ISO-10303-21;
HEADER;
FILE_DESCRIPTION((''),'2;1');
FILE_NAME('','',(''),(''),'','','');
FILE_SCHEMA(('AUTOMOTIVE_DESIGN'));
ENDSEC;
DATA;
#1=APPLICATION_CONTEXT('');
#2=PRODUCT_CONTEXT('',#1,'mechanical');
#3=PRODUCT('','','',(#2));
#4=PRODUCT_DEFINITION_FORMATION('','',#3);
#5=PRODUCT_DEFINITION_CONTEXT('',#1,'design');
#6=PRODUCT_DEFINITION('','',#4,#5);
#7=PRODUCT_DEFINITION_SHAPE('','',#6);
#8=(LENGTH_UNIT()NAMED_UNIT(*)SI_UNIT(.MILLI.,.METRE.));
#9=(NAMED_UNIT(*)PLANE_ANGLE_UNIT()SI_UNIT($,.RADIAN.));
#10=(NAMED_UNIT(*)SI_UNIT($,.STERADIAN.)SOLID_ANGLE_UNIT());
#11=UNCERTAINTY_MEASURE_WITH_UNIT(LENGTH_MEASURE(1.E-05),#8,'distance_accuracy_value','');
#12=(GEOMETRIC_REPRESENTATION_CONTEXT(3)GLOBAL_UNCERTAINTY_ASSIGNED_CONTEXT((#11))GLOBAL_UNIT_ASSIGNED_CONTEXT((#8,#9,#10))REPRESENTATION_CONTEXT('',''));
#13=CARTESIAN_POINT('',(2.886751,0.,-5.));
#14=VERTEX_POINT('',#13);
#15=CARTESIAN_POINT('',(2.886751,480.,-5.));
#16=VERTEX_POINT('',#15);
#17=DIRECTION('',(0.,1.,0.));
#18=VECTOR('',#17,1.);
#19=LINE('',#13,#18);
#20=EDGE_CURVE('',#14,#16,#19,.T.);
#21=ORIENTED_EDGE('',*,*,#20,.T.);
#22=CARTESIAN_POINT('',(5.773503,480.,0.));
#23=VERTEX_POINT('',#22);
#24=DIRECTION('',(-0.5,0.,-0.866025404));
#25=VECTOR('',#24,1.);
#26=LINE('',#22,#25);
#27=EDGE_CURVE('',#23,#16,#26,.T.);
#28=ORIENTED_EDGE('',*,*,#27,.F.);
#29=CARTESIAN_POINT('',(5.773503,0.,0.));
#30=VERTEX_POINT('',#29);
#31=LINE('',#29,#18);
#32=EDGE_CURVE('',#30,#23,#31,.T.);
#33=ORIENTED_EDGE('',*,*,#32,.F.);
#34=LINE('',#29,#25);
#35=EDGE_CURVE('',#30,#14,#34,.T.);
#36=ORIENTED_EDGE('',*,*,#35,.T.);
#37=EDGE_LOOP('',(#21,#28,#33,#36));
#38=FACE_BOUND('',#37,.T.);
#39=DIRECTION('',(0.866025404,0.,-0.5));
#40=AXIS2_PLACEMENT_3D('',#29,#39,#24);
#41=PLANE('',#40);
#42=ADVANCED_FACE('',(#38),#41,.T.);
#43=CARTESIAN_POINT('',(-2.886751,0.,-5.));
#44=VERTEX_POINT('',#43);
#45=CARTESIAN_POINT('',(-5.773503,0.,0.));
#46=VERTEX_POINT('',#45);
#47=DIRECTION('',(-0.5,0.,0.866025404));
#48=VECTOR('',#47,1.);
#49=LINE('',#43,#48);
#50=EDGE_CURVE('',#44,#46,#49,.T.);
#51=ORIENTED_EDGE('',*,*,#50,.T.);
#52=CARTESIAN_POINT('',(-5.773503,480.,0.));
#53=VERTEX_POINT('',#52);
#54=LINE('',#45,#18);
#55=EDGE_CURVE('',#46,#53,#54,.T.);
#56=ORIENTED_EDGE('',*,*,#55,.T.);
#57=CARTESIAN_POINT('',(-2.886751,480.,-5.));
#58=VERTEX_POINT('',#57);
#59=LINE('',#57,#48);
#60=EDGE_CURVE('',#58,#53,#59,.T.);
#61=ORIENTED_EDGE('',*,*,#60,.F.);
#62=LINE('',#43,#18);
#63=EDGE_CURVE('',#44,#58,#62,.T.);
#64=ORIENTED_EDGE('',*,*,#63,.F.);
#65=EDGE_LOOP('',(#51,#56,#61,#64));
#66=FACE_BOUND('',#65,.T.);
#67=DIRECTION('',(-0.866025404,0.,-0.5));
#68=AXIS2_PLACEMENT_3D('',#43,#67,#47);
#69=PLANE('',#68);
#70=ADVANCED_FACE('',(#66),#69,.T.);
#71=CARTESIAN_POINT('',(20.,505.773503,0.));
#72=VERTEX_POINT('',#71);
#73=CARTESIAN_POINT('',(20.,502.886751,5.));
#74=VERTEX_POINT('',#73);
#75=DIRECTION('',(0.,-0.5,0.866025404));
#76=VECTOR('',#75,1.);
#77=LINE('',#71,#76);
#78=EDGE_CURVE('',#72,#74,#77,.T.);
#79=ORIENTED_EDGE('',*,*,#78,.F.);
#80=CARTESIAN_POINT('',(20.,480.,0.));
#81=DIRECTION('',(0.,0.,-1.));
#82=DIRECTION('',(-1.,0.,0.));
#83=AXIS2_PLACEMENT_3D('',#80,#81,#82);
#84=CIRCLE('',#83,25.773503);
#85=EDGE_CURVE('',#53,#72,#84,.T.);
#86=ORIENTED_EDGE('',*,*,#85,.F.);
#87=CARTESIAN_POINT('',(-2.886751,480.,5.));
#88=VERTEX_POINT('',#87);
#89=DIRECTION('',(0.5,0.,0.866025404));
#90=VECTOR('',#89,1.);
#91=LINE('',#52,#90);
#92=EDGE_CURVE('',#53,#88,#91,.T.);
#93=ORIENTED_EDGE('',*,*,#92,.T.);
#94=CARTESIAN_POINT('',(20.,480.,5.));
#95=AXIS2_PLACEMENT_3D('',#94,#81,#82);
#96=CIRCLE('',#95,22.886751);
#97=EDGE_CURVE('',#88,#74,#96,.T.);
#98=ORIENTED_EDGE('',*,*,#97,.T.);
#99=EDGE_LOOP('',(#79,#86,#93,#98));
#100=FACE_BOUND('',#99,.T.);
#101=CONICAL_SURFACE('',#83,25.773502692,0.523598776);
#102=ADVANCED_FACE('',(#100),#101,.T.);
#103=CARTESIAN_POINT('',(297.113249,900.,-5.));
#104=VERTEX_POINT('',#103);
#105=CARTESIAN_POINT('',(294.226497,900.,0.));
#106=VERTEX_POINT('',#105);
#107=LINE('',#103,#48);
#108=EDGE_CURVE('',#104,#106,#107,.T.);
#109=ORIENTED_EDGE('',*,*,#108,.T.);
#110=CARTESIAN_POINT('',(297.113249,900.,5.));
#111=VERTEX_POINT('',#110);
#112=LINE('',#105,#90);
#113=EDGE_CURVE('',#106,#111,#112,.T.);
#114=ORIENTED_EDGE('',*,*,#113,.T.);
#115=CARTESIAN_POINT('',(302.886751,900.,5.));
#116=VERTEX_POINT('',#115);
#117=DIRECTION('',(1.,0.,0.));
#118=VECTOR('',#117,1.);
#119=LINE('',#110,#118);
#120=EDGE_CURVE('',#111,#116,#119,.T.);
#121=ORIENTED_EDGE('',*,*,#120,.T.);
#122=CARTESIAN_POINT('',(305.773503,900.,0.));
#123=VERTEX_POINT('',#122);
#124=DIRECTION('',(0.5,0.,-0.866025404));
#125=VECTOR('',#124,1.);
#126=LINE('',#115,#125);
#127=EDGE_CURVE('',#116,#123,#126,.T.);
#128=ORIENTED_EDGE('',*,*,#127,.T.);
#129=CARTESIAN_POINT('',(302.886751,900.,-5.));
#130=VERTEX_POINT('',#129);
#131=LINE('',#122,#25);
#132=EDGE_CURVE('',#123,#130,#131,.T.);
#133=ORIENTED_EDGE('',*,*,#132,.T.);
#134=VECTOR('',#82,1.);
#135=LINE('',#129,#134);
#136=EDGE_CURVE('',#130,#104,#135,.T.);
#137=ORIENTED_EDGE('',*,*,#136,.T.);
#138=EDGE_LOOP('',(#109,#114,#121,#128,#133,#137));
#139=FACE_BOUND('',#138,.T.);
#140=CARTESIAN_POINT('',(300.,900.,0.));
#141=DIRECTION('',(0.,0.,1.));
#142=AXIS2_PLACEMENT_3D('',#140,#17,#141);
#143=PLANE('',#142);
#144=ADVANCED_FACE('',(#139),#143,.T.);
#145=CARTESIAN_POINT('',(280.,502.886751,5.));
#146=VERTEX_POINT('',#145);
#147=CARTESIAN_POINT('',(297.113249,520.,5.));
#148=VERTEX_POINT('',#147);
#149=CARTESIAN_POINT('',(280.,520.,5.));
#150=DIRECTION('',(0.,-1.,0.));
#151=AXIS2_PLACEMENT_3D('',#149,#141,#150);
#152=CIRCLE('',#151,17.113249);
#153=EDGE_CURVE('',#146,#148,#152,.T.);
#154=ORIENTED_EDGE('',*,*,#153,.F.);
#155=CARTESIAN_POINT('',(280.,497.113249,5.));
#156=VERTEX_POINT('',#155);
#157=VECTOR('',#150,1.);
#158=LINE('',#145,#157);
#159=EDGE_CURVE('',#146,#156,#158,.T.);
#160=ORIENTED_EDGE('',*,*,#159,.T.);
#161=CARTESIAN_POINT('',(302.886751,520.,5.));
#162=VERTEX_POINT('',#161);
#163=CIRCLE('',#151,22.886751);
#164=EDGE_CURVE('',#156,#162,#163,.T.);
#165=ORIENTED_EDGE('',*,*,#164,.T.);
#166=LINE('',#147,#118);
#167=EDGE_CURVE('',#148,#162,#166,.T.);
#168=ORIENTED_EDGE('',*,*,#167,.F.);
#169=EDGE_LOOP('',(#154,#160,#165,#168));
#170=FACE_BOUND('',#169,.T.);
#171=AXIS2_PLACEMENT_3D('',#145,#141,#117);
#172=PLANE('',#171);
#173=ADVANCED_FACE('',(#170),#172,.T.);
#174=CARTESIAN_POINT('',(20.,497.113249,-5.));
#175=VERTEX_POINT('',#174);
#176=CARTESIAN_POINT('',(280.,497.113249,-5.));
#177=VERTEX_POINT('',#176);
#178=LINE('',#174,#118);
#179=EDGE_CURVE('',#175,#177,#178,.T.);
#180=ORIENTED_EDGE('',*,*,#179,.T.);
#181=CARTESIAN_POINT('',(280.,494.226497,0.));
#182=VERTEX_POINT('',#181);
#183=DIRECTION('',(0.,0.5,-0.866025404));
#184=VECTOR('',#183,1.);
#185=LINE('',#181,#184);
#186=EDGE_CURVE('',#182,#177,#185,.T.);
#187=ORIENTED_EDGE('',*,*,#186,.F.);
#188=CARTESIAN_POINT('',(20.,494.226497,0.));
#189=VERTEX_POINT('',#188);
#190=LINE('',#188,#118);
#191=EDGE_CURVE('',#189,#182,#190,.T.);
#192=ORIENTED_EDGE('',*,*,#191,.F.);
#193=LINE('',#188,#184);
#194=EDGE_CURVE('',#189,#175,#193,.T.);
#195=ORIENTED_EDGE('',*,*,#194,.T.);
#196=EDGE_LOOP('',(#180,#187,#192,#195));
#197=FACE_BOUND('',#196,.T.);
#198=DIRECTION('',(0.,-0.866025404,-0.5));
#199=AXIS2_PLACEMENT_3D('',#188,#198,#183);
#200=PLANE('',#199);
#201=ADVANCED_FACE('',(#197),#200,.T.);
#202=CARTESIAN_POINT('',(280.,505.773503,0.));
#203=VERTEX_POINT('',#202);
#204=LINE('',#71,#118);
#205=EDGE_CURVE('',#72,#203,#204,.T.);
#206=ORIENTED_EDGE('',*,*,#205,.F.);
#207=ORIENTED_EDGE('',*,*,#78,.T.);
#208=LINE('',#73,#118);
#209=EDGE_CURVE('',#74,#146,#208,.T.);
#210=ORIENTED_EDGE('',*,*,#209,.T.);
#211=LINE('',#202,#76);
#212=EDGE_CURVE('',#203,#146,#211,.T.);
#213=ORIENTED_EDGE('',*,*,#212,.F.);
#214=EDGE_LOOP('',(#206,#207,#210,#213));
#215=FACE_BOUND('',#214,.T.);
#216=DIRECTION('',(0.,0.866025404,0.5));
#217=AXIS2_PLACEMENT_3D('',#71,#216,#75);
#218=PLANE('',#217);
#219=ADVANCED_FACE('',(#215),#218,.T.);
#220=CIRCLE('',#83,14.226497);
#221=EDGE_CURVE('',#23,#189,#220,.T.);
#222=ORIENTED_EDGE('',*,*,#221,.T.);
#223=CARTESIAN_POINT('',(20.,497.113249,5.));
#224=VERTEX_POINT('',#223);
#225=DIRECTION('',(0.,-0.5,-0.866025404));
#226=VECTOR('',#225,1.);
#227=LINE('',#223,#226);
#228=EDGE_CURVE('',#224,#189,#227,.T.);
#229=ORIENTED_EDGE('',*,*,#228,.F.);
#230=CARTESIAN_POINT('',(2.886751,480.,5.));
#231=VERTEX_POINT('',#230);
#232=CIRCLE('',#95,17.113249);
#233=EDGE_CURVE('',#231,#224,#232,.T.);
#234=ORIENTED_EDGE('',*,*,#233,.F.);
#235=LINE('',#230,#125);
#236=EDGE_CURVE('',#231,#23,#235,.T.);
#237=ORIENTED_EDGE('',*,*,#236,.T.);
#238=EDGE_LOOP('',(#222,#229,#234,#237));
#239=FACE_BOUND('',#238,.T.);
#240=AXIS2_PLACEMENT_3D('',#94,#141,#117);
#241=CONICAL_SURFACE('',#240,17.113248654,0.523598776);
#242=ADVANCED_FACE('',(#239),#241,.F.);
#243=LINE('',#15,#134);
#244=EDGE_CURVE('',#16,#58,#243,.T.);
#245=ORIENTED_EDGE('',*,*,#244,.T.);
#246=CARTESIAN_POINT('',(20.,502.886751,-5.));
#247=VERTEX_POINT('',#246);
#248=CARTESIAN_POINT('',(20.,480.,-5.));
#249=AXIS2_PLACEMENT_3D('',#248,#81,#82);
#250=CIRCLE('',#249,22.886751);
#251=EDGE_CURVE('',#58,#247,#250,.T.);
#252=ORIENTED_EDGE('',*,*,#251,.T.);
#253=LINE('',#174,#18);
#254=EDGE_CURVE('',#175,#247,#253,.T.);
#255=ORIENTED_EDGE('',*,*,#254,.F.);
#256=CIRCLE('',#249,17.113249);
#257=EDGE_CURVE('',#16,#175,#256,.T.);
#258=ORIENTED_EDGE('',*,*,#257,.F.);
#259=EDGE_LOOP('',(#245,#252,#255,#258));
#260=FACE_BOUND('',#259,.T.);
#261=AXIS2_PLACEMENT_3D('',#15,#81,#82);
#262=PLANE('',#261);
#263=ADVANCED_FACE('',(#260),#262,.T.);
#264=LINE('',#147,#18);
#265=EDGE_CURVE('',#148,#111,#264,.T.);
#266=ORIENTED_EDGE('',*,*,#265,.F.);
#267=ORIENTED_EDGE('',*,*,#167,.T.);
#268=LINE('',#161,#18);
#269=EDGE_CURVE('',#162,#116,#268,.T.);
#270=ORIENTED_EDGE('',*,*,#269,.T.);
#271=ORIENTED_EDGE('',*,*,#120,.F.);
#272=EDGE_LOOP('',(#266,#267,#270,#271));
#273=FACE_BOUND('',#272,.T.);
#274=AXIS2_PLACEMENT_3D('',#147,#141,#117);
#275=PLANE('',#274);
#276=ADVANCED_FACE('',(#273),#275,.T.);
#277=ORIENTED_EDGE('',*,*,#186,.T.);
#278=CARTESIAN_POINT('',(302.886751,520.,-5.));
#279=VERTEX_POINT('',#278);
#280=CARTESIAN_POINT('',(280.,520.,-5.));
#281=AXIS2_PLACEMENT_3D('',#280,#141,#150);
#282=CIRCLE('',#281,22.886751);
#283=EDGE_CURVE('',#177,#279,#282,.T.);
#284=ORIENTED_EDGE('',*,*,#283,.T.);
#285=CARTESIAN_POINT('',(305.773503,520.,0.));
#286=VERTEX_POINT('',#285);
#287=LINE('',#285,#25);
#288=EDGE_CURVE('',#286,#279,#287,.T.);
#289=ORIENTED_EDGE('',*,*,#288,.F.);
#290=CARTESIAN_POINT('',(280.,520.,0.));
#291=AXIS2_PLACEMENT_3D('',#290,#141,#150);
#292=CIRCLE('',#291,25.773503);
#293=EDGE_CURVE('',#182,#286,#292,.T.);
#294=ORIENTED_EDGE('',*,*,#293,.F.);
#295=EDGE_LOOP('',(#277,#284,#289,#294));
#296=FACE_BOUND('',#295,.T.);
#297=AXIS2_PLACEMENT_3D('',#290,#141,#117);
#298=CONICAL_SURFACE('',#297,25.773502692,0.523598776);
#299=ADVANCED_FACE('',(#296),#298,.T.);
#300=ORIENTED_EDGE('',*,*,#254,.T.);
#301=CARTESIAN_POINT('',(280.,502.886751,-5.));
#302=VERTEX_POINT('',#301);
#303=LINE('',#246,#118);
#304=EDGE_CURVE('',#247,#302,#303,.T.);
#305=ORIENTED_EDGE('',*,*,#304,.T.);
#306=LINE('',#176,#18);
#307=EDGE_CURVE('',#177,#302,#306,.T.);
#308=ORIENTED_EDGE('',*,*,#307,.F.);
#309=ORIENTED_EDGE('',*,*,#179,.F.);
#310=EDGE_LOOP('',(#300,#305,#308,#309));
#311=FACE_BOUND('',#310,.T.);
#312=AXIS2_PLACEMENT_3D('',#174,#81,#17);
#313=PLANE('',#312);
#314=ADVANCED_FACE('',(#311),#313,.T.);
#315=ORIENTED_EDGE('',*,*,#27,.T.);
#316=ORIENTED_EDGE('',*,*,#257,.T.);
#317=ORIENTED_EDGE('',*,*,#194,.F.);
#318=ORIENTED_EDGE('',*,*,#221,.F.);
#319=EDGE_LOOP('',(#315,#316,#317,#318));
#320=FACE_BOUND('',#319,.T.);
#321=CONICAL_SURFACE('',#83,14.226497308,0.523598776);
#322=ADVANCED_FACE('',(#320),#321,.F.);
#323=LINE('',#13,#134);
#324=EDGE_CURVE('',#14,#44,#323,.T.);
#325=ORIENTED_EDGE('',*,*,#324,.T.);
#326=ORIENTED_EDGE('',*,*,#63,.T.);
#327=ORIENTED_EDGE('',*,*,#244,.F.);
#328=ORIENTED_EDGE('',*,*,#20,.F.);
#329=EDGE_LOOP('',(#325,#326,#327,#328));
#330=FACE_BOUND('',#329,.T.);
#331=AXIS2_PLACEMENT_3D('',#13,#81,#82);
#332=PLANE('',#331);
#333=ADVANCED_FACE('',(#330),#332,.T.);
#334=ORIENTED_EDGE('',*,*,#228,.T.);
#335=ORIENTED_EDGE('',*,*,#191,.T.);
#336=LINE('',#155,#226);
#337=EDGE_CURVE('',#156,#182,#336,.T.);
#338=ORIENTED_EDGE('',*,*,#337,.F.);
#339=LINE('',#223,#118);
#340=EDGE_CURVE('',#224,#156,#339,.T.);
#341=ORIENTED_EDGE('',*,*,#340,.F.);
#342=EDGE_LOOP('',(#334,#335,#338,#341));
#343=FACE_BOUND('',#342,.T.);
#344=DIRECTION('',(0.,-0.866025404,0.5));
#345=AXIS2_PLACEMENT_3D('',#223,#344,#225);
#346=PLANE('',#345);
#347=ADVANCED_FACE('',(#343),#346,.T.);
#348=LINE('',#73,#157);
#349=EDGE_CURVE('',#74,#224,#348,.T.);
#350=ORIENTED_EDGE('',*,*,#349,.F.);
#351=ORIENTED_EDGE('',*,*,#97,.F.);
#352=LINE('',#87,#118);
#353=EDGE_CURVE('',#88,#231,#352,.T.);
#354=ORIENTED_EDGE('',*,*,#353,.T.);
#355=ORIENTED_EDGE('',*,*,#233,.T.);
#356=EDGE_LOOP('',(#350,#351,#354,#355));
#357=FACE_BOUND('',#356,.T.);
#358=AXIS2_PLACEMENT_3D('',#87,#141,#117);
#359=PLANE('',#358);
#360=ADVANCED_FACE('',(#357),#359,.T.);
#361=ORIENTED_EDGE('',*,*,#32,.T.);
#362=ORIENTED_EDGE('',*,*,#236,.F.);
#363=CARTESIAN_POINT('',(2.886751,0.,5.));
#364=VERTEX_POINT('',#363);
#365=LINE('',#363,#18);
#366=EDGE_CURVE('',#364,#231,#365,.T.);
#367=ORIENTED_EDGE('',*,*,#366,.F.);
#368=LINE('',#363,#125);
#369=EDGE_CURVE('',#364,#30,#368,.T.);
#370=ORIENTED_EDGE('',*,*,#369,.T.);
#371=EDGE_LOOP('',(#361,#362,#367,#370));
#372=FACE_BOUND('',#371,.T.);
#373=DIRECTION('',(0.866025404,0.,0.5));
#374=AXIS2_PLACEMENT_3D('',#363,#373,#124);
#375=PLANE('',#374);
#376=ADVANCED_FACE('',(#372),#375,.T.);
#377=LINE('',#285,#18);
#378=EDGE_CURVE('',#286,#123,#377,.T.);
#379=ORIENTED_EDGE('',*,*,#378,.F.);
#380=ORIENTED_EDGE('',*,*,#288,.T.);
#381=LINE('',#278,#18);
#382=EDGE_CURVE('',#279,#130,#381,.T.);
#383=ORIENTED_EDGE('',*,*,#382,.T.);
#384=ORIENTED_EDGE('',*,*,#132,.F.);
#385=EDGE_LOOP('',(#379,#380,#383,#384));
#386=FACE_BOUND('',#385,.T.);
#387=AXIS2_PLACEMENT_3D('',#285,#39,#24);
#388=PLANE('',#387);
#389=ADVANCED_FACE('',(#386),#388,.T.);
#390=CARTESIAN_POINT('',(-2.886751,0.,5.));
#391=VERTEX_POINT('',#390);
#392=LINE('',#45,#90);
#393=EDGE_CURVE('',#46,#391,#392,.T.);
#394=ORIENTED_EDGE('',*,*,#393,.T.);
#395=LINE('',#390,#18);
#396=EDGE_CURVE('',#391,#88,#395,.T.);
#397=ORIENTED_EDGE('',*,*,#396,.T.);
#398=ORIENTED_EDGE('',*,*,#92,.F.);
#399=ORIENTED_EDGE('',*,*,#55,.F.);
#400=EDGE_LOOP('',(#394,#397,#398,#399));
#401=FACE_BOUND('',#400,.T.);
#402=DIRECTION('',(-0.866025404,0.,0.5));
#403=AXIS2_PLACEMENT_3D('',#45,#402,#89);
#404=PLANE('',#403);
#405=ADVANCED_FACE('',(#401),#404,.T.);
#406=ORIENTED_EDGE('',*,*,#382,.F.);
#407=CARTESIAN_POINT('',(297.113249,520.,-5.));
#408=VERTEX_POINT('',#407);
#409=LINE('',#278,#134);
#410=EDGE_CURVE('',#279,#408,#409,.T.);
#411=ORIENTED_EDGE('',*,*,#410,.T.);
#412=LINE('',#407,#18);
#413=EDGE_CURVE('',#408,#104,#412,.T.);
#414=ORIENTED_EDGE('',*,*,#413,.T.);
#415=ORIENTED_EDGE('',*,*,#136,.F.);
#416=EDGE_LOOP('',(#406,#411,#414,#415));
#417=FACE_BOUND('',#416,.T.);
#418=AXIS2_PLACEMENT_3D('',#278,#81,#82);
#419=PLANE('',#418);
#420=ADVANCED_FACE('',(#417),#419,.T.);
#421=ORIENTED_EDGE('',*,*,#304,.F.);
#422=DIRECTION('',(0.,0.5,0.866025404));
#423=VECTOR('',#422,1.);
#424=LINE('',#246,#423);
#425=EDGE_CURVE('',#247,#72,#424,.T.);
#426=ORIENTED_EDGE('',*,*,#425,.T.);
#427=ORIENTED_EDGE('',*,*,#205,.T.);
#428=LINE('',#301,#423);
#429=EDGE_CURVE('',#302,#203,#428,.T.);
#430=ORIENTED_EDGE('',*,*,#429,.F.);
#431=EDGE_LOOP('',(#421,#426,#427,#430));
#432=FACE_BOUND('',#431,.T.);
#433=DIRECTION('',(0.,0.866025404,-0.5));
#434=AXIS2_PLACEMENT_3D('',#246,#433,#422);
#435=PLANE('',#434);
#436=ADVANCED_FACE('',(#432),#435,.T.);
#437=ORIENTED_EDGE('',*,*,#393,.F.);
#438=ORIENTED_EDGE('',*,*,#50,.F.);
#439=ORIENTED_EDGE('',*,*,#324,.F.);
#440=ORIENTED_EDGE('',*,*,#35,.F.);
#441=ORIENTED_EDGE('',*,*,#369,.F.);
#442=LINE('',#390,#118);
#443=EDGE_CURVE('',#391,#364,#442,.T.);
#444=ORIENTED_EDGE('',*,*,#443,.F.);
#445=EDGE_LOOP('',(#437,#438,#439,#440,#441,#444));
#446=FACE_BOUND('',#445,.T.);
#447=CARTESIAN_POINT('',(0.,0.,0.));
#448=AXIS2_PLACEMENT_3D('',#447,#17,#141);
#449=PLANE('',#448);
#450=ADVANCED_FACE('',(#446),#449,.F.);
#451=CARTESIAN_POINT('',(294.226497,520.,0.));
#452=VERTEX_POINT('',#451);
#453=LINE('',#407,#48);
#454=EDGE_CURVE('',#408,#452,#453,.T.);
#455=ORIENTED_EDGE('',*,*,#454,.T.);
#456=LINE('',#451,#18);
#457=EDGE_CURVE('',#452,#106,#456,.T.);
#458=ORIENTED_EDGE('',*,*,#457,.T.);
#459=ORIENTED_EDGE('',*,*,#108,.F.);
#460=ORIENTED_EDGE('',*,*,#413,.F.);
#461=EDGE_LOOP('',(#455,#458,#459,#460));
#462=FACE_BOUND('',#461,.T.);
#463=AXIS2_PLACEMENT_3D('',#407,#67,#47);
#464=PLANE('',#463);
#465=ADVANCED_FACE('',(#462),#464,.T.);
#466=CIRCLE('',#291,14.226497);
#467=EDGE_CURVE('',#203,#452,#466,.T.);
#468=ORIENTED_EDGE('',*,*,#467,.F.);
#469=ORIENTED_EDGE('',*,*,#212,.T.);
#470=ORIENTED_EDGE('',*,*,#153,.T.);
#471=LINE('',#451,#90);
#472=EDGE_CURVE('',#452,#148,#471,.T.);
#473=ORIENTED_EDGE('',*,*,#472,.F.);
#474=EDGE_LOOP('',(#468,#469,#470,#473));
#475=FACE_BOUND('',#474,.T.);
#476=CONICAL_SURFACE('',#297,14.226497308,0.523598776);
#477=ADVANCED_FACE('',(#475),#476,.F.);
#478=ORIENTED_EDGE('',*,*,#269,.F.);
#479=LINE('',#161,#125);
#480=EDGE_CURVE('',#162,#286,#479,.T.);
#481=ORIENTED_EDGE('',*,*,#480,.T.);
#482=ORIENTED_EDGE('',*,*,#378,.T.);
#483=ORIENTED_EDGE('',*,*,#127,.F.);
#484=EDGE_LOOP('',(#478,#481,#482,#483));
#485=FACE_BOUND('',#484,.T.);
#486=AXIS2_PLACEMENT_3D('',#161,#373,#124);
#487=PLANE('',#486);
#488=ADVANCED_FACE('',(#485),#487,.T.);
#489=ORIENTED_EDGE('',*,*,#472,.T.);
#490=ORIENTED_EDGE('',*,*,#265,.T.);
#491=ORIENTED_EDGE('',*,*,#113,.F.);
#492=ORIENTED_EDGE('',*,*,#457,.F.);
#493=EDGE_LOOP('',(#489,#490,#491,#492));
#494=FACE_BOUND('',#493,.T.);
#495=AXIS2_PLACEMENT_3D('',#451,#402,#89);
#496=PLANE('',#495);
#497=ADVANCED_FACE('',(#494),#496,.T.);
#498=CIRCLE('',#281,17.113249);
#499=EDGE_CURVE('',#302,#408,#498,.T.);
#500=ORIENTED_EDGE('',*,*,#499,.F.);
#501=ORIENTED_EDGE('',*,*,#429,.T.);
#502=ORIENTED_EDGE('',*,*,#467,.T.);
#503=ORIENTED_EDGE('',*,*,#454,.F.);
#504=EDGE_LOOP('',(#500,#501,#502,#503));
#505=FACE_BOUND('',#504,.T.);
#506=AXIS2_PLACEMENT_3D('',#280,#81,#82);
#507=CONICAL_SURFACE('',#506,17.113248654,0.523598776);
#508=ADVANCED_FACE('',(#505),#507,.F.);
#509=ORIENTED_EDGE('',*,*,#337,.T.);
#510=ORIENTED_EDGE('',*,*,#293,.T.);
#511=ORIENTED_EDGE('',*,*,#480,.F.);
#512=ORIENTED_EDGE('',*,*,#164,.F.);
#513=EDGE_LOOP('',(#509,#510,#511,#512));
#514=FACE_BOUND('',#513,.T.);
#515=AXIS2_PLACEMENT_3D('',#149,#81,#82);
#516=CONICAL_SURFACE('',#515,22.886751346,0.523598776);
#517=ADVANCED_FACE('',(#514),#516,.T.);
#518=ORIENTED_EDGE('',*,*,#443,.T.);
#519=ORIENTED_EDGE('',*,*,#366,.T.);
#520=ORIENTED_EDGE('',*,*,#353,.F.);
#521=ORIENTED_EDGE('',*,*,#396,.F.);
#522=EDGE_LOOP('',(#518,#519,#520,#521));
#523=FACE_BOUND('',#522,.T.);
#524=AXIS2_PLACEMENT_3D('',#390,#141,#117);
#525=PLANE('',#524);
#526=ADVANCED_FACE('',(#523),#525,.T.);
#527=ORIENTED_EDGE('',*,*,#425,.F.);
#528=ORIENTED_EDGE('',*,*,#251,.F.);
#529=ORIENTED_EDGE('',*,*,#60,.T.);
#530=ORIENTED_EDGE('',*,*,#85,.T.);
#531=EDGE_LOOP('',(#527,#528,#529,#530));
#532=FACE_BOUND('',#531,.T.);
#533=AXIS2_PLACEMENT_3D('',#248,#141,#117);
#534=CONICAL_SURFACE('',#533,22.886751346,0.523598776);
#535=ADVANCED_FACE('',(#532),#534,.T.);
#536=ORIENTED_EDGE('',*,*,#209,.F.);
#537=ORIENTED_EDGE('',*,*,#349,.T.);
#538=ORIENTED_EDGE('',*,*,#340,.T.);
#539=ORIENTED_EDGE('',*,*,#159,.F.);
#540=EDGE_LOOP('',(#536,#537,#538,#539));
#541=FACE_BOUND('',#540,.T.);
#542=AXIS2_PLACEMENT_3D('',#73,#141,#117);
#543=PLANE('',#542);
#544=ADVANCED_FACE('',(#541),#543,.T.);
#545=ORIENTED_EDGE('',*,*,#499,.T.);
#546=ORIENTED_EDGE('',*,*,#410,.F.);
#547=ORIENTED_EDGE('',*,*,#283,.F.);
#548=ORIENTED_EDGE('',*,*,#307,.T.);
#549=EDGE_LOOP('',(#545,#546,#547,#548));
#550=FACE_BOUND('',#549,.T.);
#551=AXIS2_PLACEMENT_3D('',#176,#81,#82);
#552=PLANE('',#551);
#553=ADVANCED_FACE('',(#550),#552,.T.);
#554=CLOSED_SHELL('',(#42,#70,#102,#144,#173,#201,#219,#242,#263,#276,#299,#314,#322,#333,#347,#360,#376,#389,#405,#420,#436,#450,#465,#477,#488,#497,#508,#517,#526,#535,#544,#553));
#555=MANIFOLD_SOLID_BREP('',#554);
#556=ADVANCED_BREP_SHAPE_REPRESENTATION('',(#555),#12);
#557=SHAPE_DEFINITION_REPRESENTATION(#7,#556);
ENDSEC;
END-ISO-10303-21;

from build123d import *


with BuildPart() as part:
    # Sweep3: sweep along a path in Sketch2
    with BuildLine(Plane.XY) as sweep3_path:
        Line((0, 0), (0, 480))
        ThreePointArc((0, 480), (5.857864376, 494.142135624), (20, 500))
        Line((20, 500), (280, 500))
        ThreePointArc((280, 500), (294.142135624, 505.857864376), (300, 520))
        Line((300, 520), (300, 900))
    # Sketch3 → Sweep3 (sweep)
    with BuildSketch(Plane(origin=(0, 0, 0), x_dir=(1, 0, 0), z_dir=(0, 1, 0))):
        Polygon((2.886751346, 5), (-2.886751346, 5), (-5.773502692, 0), (-2.886751346, -5), (2.886751346, -5), (5.773502692, 0), align=None)
    sweep(path=sweep3_path.line)


solid = part.part
